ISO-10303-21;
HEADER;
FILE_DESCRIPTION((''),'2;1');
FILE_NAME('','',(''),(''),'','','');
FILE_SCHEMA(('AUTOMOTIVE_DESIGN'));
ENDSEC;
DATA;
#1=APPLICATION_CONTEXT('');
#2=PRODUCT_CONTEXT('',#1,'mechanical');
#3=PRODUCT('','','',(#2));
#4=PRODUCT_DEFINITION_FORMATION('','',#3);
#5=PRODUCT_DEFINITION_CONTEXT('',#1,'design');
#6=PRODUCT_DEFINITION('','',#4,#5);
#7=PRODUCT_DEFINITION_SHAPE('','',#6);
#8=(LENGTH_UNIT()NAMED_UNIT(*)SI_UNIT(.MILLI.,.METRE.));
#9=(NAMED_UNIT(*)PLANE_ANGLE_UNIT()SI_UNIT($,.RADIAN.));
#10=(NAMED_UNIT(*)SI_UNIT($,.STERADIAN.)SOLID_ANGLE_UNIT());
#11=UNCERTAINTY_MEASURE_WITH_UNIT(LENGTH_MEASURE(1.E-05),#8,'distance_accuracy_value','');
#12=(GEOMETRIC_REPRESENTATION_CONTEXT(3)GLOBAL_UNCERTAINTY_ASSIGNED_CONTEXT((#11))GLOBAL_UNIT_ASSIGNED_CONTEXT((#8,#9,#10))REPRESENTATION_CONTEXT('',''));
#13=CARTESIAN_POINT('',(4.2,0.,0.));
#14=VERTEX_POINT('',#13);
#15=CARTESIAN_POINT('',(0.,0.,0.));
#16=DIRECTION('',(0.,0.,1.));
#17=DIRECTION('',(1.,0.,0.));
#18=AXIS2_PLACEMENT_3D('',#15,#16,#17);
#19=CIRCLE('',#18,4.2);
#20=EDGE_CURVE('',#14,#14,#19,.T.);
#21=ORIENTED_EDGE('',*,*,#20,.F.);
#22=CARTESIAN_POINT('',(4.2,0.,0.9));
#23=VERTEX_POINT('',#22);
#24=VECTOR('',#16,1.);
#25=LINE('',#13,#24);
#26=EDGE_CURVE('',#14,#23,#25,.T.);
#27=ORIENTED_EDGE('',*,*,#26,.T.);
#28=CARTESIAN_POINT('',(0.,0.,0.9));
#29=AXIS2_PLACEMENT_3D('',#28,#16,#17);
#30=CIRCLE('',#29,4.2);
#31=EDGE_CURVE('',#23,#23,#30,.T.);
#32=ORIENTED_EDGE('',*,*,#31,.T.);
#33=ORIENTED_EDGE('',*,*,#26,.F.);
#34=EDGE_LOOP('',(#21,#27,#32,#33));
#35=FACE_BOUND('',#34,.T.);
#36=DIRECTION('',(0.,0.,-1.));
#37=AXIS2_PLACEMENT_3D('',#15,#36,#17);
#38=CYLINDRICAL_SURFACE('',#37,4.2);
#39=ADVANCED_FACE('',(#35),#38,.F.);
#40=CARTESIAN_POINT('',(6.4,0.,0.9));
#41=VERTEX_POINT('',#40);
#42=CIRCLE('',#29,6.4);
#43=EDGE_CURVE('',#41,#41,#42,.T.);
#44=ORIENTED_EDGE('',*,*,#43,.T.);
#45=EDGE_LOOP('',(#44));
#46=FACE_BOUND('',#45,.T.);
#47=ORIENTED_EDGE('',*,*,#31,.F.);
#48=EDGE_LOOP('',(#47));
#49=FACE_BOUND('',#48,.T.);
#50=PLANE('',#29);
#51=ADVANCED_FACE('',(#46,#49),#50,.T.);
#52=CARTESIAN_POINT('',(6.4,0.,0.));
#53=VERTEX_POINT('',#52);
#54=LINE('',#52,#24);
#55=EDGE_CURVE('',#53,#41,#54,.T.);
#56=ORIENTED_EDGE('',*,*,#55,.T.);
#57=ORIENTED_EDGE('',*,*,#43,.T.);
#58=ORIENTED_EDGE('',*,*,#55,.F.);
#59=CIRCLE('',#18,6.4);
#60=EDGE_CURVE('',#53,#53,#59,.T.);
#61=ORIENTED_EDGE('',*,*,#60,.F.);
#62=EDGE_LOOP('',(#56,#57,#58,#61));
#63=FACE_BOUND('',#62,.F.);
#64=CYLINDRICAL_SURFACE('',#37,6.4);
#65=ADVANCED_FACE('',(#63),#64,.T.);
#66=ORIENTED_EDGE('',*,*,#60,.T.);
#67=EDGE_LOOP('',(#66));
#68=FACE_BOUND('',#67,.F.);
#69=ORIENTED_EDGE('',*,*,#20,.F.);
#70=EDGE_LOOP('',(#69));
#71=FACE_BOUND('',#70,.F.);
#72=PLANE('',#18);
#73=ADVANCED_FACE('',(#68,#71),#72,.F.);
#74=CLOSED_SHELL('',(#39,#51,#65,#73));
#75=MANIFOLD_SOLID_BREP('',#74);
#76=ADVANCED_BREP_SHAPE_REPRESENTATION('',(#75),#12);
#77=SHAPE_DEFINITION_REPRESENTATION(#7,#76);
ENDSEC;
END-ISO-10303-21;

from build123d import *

# Parameters (mm, degrees)
SKETCH_R   = 6.4
SKETCH_R_2 = 4.2
PAD_DEPTH  = 0.9


with BuildPart() as part:
    # Sketch → Pad (new body)
    with BuildSketch(Plane.XY):
        Circle(SKETCH_R)
        Circle(SKETCH_R_2, mode=Mode.SUBTRACT)
    extrude(amount=PAD_DEPTH)


solid = part.part
